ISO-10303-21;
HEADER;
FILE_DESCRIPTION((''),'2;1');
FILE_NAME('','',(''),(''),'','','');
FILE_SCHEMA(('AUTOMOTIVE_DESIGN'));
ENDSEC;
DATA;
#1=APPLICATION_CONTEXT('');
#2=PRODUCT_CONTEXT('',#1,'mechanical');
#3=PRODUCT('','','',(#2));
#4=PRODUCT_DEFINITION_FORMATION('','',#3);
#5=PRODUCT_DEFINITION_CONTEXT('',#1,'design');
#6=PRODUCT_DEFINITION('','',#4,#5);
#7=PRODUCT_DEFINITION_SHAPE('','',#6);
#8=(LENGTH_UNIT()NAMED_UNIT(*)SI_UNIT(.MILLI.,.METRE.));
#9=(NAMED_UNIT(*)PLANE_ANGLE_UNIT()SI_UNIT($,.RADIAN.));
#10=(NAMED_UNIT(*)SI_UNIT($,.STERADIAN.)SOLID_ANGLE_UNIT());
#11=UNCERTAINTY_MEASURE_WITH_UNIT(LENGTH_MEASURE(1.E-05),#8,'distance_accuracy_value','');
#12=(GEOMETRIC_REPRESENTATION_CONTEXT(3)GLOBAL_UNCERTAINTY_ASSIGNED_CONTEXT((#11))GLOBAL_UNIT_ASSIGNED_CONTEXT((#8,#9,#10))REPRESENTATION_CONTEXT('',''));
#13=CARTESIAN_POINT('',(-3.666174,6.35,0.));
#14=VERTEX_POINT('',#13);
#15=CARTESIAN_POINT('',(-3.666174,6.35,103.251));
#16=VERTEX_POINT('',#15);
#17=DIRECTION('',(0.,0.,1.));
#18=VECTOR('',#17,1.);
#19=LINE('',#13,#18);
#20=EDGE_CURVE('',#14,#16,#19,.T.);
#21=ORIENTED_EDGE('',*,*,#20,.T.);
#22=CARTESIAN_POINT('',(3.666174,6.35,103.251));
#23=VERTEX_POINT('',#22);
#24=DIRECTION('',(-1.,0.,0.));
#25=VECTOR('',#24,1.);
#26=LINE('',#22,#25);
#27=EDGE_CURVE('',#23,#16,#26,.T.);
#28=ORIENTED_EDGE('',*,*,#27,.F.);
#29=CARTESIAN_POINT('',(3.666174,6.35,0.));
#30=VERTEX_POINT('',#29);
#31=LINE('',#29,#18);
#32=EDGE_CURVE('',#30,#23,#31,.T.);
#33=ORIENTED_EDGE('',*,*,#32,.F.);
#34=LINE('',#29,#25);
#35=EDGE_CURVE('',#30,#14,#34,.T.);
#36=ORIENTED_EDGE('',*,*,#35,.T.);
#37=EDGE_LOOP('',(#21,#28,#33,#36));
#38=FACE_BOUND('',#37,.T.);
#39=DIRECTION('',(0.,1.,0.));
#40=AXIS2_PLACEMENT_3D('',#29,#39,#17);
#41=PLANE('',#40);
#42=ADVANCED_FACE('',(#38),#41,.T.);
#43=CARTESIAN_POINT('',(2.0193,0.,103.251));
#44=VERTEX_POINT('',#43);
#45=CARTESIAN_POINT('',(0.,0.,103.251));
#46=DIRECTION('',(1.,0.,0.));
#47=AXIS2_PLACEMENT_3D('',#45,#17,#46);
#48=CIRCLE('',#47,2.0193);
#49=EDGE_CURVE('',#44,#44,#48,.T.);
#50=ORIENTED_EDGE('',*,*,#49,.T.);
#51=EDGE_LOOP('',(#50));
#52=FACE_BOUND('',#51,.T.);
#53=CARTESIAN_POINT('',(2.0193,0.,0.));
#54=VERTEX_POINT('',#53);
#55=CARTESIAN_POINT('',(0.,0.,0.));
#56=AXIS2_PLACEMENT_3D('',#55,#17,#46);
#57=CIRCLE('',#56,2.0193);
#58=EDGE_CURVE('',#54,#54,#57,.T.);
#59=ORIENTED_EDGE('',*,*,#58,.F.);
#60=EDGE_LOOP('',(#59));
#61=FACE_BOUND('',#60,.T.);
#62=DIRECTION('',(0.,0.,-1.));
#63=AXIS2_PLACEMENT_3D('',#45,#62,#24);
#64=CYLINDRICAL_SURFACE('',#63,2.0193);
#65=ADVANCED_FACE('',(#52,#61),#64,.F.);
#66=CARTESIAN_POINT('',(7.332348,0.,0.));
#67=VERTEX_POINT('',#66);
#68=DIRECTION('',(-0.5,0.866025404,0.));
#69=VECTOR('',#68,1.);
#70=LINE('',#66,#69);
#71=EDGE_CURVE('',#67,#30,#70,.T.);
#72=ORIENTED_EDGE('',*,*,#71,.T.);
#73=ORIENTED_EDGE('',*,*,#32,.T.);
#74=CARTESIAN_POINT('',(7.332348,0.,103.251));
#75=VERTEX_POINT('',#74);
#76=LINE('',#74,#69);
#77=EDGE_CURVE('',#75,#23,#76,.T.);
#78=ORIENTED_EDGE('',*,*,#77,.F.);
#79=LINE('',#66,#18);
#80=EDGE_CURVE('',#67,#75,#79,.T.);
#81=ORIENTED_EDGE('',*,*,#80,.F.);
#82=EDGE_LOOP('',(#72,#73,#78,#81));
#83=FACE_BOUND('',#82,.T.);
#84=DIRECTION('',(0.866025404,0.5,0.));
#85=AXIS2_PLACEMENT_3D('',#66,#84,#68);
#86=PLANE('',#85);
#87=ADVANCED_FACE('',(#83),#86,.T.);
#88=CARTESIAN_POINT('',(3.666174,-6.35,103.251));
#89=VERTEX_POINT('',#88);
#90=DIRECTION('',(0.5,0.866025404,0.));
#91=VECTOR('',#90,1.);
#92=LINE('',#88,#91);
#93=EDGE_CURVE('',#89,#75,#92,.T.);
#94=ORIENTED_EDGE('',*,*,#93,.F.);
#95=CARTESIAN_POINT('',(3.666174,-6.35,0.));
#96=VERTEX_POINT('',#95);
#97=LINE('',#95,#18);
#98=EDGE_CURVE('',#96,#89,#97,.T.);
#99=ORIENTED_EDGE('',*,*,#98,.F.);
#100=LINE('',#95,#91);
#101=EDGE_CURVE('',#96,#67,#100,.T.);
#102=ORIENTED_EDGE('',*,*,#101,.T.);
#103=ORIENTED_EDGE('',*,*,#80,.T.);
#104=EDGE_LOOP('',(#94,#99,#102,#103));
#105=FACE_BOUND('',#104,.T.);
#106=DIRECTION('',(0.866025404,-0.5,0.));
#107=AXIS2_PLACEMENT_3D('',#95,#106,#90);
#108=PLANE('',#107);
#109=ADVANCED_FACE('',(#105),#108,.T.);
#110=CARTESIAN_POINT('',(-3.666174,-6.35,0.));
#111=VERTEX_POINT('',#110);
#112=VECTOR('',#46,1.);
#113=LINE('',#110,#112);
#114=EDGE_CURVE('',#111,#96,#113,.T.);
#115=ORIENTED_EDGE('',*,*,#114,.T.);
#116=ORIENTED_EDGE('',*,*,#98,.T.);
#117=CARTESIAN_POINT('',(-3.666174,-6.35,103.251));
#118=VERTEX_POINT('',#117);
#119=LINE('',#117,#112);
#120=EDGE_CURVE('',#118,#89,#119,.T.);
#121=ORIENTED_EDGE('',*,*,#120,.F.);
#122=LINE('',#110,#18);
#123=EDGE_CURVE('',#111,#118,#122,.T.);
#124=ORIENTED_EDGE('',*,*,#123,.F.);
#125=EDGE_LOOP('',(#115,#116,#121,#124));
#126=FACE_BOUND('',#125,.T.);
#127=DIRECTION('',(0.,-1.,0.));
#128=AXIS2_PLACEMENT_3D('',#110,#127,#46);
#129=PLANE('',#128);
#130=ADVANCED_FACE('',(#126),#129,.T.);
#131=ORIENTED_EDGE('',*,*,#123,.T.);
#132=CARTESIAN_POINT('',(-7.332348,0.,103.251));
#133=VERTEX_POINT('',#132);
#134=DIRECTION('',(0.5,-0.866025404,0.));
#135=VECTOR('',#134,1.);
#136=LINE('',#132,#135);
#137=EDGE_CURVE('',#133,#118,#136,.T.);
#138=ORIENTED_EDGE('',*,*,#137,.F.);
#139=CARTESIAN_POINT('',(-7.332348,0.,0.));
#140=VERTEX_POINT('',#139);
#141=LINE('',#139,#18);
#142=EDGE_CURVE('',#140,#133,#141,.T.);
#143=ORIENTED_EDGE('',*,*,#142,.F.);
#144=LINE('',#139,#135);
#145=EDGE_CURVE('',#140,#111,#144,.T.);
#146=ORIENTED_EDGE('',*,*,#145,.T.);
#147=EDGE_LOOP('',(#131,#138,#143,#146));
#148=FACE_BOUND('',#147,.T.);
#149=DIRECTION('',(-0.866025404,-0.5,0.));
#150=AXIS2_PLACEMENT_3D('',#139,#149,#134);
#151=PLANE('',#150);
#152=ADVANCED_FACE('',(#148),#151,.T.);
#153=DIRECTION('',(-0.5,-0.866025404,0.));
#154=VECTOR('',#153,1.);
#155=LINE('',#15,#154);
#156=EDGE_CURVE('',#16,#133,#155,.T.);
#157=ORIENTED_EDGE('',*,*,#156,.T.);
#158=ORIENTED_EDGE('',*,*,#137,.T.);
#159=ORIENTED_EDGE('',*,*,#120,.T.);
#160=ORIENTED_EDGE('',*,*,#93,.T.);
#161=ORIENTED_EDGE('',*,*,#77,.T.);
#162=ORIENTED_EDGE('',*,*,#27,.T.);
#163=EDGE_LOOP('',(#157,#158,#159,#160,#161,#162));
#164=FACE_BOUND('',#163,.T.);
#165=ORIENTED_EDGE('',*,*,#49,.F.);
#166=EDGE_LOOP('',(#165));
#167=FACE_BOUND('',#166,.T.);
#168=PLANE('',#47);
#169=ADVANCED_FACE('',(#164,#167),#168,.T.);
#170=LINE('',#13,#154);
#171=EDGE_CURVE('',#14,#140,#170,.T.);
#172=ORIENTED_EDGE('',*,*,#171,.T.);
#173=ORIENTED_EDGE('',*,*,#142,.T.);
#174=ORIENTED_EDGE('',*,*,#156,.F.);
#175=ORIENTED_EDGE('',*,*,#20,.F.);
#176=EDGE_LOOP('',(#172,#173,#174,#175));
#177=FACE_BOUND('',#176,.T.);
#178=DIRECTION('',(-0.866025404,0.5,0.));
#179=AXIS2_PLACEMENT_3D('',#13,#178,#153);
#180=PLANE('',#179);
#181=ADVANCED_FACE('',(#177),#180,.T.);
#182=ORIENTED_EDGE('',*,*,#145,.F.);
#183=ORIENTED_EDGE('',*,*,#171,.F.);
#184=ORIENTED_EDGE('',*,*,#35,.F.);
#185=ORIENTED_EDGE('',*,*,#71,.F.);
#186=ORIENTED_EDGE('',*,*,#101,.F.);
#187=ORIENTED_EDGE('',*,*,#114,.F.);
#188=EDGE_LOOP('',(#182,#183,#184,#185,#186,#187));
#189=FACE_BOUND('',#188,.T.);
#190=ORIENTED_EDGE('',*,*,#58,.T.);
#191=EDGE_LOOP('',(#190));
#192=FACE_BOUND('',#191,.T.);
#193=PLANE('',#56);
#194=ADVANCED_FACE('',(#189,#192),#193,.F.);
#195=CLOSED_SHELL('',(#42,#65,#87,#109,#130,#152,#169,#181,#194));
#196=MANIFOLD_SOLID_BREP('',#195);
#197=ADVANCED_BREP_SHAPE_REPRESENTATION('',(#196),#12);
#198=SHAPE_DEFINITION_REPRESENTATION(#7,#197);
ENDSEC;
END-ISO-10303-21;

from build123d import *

# Parameters (mm, degrees)
SKETCH1_R           = 4.7625
SKETCH1_R_2         = 2.0193
BOSS_EXTRUDE1_DEPTH = 103.251
SKETCH2_R           = 4.7625
BOSS_EXTRUDE2_DEPTH = 103.251


with BuildPart() as part:
    # Sketch1 → Boss-Extrude1 (new body)
    with BuildSketch(Plane.XY):
        Circle(SKETCH1_R)
        Circle(SKETCH1_R_2, mode=Mode.SUBTRACT)
    extrude(amount=BOSS_EXTRUDE1_DEPTH)

    # Sketch2 → Boss-Extrude2 (add, through all)
    with BuildSketch(Plane.XY.offset(103.251)):
        Polygon((7.332348419, 0), (3.666174209, 6.35), (-3.666174209, 6.35), (-7.332348419, 0), (-3.666174209, -6.35), (3.666174209, -6.35), align=None)
        Circle(SKETCH2_R, mode=Mode.SUBTRACT)
    extrude(amount=-BOSS_EXTRUDE2_DEPTH)


solid = part.part
